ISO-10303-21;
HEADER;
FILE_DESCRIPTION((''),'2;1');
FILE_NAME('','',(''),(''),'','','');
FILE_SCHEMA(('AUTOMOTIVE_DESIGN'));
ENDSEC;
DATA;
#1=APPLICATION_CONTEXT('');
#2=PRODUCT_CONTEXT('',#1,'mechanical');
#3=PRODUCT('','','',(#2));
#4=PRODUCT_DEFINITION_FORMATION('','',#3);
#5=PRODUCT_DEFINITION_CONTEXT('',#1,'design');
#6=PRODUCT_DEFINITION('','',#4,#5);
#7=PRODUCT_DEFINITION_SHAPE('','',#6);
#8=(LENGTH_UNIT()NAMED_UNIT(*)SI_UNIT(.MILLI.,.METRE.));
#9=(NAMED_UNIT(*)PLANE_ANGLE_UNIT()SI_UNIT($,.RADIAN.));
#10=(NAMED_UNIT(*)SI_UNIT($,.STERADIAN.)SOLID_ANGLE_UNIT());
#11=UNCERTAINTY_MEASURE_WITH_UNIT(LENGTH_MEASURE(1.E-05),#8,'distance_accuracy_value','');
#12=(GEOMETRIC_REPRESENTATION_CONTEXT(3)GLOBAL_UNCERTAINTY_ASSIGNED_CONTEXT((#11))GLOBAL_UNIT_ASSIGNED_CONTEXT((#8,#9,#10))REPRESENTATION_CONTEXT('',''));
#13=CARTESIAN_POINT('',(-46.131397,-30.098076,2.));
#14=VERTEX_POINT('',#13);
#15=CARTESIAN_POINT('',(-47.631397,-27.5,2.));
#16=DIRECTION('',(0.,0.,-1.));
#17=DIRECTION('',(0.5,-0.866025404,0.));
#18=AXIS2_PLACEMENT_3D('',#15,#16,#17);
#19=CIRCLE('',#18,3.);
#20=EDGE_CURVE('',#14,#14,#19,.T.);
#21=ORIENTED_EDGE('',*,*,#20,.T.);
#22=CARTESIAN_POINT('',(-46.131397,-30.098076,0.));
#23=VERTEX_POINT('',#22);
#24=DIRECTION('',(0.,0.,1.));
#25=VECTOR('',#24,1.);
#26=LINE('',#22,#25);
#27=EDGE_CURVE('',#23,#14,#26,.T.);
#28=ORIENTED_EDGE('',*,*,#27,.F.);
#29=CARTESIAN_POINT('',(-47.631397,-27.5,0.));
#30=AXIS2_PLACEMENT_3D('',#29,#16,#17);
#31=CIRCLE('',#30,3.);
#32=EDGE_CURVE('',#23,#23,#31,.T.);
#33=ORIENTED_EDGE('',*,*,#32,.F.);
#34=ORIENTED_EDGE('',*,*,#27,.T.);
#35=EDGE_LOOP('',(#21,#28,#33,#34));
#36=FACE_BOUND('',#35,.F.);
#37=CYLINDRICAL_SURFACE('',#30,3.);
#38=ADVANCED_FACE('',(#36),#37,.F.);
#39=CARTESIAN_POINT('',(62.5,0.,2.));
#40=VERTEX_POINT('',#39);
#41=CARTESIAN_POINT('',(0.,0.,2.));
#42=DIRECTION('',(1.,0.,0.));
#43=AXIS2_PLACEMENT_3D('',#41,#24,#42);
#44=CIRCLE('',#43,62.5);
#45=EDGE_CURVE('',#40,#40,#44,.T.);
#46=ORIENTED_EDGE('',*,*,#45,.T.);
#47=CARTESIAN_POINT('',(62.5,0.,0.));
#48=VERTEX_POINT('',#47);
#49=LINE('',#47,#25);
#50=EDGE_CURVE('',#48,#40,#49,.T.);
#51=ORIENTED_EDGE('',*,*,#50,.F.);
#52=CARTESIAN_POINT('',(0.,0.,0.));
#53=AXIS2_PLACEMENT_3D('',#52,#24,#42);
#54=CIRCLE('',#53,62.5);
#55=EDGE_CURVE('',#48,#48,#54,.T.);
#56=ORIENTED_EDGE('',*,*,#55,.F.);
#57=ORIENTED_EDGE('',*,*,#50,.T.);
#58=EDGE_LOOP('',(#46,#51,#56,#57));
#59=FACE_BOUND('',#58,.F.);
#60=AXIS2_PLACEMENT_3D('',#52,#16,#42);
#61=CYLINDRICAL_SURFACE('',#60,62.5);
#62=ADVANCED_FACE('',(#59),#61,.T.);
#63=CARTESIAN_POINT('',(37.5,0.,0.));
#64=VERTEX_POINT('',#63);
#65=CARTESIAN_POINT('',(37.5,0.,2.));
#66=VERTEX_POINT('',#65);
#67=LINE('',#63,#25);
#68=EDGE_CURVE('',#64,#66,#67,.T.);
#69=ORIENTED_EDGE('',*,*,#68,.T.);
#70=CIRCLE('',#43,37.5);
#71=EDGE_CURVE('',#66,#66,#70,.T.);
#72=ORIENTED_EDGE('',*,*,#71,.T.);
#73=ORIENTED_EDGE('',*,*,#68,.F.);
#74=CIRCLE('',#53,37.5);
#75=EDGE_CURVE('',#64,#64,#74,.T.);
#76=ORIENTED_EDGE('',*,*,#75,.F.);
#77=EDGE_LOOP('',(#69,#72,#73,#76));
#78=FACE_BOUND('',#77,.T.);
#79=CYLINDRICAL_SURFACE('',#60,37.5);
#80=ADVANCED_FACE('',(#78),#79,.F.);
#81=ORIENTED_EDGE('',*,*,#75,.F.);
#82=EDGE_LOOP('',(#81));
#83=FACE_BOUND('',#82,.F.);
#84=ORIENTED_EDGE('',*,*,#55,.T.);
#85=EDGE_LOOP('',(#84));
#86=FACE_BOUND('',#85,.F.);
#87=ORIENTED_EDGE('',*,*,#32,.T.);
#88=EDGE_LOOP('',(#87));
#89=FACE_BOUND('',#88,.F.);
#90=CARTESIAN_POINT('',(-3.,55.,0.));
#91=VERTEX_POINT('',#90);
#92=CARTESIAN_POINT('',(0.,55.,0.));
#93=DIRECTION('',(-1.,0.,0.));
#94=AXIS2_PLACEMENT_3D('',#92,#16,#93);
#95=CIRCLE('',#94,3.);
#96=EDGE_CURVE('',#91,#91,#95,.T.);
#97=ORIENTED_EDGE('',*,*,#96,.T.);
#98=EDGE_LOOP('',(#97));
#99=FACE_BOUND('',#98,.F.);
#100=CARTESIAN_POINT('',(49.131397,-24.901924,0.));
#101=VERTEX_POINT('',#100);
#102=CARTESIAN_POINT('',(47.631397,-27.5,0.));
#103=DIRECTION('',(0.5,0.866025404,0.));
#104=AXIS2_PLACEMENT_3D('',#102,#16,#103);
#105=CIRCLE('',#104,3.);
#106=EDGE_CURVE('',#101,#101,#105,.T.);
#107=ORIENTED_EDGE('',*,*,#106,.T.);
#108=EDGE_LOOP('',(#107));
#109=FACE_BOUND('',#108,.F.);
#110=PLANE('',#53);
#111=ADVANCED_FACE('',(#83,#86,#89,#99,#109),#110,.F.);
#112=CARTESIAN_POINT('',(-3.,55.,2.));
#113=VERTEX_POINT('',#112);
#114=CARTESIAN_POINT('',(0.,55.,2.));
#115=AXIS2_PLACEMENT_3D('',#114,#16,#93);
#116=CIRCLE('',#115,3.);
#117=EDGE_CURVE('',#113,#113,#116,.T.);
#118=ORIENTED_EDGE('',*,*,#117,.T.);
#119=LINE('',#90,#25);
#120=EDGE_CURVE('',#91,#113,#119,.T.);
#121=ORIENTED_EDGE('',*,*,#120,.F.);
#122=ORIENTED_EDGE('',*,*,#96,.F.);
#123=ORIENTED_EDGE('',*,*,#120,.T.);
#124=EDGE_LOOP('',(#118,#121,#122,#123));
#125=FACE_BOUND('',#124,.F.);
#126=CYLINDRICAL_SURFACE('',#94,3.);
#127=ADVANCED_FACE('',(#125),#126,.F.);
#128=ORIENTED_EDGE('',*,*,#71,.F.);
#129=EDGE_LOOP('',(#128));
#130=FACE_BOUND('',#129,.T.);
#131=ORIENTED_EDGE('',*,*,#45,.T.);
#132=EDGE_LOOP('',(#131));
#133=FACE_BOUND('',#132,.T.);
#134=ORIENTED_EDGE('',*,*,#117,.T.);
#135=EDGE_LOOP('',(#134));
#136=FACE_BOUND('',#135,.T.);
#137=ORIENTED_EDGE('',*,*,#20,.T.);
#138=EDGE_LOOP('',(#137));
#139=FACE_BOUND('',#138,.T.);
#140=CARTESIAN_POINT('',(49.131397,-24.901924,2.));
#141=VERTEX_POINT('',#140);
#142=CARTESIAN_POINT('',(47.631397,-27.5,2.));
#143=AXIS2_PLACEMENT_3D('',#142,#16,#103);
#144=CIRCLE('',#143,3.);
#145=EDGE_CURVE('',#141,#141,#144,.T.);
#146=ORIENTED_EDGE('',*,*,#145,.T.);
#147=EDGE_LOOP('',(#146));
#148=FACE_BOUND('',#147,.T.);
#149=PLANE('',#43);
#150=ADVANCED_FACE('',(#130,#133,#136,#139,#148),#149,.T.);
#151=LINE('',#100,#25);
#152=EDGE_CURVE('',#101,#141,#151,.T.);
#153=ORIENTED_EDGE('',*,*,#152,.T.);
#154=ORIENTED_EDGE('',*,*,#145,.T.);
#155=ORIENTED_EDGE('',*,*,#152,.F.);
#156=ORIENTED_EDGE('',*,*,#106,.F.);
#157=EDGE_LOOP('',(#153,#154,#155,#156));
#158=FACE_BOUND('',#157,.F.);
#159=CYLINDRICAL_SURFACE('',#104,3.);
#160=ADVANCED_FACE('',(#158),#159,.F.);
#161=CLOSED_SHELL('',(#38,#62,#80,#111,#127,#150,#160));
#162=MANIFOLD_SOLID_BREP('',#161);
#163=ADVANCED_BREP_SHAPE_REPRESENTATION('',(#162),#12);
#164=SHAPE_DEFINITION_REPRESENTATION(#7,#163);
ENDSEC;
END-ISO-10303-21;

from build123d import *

# Parameters (mm, degrees)
SKETCH1_R           = 62.5
SKETCH1_R_2         = 37.5
BOSS_EXTRUDE1_DEPTH = 2
SKETCH2_R           = 3
CUT_EXTRUDE1_DEPTH  = 89.41097217
CIRPATTERN1_COUNT   = 3


with BuildPart() as part:
    # Sketch1 → Boss-Extrude1 (new body)
    with BuildSketch(Plane.XY):
        Circle(SKETCH1_R)
        Circle(SKETCH1_R_2, mode=Mode.SUBTRACT)
    extrude(amount=BOSS_EXTRUDE1_DEPTH)

    # Sketch2 → Cut-Extrude1 (cut, through all)
    with BuildSketch(Plane(origin=(0, 0, 0), x_dir=(-1, 0, 0), z_dir=(0, 0, -1))):
        with Locations((0, 55)):
            Circle(SKETCH2_R)
    cut_extrude1 = extrude(amount=-CUT_EXTRUDE1_DEPTH, mode=Mode.SUBTRACT)

    # CirPattern1: Cut-Extrude1 ×3 about axis
    cirpattern1_axis = Axis((0, 0, 0), (0, 0, 1))
    for i in range(1, CIRPATTERN1_COUNT):
        add(cut_extrude1.rotate(cirpattern1_axis, i * 360 / CIRPATTERN1_COUNT), mode=Mode.SUBTRACT)


solid = part.part
